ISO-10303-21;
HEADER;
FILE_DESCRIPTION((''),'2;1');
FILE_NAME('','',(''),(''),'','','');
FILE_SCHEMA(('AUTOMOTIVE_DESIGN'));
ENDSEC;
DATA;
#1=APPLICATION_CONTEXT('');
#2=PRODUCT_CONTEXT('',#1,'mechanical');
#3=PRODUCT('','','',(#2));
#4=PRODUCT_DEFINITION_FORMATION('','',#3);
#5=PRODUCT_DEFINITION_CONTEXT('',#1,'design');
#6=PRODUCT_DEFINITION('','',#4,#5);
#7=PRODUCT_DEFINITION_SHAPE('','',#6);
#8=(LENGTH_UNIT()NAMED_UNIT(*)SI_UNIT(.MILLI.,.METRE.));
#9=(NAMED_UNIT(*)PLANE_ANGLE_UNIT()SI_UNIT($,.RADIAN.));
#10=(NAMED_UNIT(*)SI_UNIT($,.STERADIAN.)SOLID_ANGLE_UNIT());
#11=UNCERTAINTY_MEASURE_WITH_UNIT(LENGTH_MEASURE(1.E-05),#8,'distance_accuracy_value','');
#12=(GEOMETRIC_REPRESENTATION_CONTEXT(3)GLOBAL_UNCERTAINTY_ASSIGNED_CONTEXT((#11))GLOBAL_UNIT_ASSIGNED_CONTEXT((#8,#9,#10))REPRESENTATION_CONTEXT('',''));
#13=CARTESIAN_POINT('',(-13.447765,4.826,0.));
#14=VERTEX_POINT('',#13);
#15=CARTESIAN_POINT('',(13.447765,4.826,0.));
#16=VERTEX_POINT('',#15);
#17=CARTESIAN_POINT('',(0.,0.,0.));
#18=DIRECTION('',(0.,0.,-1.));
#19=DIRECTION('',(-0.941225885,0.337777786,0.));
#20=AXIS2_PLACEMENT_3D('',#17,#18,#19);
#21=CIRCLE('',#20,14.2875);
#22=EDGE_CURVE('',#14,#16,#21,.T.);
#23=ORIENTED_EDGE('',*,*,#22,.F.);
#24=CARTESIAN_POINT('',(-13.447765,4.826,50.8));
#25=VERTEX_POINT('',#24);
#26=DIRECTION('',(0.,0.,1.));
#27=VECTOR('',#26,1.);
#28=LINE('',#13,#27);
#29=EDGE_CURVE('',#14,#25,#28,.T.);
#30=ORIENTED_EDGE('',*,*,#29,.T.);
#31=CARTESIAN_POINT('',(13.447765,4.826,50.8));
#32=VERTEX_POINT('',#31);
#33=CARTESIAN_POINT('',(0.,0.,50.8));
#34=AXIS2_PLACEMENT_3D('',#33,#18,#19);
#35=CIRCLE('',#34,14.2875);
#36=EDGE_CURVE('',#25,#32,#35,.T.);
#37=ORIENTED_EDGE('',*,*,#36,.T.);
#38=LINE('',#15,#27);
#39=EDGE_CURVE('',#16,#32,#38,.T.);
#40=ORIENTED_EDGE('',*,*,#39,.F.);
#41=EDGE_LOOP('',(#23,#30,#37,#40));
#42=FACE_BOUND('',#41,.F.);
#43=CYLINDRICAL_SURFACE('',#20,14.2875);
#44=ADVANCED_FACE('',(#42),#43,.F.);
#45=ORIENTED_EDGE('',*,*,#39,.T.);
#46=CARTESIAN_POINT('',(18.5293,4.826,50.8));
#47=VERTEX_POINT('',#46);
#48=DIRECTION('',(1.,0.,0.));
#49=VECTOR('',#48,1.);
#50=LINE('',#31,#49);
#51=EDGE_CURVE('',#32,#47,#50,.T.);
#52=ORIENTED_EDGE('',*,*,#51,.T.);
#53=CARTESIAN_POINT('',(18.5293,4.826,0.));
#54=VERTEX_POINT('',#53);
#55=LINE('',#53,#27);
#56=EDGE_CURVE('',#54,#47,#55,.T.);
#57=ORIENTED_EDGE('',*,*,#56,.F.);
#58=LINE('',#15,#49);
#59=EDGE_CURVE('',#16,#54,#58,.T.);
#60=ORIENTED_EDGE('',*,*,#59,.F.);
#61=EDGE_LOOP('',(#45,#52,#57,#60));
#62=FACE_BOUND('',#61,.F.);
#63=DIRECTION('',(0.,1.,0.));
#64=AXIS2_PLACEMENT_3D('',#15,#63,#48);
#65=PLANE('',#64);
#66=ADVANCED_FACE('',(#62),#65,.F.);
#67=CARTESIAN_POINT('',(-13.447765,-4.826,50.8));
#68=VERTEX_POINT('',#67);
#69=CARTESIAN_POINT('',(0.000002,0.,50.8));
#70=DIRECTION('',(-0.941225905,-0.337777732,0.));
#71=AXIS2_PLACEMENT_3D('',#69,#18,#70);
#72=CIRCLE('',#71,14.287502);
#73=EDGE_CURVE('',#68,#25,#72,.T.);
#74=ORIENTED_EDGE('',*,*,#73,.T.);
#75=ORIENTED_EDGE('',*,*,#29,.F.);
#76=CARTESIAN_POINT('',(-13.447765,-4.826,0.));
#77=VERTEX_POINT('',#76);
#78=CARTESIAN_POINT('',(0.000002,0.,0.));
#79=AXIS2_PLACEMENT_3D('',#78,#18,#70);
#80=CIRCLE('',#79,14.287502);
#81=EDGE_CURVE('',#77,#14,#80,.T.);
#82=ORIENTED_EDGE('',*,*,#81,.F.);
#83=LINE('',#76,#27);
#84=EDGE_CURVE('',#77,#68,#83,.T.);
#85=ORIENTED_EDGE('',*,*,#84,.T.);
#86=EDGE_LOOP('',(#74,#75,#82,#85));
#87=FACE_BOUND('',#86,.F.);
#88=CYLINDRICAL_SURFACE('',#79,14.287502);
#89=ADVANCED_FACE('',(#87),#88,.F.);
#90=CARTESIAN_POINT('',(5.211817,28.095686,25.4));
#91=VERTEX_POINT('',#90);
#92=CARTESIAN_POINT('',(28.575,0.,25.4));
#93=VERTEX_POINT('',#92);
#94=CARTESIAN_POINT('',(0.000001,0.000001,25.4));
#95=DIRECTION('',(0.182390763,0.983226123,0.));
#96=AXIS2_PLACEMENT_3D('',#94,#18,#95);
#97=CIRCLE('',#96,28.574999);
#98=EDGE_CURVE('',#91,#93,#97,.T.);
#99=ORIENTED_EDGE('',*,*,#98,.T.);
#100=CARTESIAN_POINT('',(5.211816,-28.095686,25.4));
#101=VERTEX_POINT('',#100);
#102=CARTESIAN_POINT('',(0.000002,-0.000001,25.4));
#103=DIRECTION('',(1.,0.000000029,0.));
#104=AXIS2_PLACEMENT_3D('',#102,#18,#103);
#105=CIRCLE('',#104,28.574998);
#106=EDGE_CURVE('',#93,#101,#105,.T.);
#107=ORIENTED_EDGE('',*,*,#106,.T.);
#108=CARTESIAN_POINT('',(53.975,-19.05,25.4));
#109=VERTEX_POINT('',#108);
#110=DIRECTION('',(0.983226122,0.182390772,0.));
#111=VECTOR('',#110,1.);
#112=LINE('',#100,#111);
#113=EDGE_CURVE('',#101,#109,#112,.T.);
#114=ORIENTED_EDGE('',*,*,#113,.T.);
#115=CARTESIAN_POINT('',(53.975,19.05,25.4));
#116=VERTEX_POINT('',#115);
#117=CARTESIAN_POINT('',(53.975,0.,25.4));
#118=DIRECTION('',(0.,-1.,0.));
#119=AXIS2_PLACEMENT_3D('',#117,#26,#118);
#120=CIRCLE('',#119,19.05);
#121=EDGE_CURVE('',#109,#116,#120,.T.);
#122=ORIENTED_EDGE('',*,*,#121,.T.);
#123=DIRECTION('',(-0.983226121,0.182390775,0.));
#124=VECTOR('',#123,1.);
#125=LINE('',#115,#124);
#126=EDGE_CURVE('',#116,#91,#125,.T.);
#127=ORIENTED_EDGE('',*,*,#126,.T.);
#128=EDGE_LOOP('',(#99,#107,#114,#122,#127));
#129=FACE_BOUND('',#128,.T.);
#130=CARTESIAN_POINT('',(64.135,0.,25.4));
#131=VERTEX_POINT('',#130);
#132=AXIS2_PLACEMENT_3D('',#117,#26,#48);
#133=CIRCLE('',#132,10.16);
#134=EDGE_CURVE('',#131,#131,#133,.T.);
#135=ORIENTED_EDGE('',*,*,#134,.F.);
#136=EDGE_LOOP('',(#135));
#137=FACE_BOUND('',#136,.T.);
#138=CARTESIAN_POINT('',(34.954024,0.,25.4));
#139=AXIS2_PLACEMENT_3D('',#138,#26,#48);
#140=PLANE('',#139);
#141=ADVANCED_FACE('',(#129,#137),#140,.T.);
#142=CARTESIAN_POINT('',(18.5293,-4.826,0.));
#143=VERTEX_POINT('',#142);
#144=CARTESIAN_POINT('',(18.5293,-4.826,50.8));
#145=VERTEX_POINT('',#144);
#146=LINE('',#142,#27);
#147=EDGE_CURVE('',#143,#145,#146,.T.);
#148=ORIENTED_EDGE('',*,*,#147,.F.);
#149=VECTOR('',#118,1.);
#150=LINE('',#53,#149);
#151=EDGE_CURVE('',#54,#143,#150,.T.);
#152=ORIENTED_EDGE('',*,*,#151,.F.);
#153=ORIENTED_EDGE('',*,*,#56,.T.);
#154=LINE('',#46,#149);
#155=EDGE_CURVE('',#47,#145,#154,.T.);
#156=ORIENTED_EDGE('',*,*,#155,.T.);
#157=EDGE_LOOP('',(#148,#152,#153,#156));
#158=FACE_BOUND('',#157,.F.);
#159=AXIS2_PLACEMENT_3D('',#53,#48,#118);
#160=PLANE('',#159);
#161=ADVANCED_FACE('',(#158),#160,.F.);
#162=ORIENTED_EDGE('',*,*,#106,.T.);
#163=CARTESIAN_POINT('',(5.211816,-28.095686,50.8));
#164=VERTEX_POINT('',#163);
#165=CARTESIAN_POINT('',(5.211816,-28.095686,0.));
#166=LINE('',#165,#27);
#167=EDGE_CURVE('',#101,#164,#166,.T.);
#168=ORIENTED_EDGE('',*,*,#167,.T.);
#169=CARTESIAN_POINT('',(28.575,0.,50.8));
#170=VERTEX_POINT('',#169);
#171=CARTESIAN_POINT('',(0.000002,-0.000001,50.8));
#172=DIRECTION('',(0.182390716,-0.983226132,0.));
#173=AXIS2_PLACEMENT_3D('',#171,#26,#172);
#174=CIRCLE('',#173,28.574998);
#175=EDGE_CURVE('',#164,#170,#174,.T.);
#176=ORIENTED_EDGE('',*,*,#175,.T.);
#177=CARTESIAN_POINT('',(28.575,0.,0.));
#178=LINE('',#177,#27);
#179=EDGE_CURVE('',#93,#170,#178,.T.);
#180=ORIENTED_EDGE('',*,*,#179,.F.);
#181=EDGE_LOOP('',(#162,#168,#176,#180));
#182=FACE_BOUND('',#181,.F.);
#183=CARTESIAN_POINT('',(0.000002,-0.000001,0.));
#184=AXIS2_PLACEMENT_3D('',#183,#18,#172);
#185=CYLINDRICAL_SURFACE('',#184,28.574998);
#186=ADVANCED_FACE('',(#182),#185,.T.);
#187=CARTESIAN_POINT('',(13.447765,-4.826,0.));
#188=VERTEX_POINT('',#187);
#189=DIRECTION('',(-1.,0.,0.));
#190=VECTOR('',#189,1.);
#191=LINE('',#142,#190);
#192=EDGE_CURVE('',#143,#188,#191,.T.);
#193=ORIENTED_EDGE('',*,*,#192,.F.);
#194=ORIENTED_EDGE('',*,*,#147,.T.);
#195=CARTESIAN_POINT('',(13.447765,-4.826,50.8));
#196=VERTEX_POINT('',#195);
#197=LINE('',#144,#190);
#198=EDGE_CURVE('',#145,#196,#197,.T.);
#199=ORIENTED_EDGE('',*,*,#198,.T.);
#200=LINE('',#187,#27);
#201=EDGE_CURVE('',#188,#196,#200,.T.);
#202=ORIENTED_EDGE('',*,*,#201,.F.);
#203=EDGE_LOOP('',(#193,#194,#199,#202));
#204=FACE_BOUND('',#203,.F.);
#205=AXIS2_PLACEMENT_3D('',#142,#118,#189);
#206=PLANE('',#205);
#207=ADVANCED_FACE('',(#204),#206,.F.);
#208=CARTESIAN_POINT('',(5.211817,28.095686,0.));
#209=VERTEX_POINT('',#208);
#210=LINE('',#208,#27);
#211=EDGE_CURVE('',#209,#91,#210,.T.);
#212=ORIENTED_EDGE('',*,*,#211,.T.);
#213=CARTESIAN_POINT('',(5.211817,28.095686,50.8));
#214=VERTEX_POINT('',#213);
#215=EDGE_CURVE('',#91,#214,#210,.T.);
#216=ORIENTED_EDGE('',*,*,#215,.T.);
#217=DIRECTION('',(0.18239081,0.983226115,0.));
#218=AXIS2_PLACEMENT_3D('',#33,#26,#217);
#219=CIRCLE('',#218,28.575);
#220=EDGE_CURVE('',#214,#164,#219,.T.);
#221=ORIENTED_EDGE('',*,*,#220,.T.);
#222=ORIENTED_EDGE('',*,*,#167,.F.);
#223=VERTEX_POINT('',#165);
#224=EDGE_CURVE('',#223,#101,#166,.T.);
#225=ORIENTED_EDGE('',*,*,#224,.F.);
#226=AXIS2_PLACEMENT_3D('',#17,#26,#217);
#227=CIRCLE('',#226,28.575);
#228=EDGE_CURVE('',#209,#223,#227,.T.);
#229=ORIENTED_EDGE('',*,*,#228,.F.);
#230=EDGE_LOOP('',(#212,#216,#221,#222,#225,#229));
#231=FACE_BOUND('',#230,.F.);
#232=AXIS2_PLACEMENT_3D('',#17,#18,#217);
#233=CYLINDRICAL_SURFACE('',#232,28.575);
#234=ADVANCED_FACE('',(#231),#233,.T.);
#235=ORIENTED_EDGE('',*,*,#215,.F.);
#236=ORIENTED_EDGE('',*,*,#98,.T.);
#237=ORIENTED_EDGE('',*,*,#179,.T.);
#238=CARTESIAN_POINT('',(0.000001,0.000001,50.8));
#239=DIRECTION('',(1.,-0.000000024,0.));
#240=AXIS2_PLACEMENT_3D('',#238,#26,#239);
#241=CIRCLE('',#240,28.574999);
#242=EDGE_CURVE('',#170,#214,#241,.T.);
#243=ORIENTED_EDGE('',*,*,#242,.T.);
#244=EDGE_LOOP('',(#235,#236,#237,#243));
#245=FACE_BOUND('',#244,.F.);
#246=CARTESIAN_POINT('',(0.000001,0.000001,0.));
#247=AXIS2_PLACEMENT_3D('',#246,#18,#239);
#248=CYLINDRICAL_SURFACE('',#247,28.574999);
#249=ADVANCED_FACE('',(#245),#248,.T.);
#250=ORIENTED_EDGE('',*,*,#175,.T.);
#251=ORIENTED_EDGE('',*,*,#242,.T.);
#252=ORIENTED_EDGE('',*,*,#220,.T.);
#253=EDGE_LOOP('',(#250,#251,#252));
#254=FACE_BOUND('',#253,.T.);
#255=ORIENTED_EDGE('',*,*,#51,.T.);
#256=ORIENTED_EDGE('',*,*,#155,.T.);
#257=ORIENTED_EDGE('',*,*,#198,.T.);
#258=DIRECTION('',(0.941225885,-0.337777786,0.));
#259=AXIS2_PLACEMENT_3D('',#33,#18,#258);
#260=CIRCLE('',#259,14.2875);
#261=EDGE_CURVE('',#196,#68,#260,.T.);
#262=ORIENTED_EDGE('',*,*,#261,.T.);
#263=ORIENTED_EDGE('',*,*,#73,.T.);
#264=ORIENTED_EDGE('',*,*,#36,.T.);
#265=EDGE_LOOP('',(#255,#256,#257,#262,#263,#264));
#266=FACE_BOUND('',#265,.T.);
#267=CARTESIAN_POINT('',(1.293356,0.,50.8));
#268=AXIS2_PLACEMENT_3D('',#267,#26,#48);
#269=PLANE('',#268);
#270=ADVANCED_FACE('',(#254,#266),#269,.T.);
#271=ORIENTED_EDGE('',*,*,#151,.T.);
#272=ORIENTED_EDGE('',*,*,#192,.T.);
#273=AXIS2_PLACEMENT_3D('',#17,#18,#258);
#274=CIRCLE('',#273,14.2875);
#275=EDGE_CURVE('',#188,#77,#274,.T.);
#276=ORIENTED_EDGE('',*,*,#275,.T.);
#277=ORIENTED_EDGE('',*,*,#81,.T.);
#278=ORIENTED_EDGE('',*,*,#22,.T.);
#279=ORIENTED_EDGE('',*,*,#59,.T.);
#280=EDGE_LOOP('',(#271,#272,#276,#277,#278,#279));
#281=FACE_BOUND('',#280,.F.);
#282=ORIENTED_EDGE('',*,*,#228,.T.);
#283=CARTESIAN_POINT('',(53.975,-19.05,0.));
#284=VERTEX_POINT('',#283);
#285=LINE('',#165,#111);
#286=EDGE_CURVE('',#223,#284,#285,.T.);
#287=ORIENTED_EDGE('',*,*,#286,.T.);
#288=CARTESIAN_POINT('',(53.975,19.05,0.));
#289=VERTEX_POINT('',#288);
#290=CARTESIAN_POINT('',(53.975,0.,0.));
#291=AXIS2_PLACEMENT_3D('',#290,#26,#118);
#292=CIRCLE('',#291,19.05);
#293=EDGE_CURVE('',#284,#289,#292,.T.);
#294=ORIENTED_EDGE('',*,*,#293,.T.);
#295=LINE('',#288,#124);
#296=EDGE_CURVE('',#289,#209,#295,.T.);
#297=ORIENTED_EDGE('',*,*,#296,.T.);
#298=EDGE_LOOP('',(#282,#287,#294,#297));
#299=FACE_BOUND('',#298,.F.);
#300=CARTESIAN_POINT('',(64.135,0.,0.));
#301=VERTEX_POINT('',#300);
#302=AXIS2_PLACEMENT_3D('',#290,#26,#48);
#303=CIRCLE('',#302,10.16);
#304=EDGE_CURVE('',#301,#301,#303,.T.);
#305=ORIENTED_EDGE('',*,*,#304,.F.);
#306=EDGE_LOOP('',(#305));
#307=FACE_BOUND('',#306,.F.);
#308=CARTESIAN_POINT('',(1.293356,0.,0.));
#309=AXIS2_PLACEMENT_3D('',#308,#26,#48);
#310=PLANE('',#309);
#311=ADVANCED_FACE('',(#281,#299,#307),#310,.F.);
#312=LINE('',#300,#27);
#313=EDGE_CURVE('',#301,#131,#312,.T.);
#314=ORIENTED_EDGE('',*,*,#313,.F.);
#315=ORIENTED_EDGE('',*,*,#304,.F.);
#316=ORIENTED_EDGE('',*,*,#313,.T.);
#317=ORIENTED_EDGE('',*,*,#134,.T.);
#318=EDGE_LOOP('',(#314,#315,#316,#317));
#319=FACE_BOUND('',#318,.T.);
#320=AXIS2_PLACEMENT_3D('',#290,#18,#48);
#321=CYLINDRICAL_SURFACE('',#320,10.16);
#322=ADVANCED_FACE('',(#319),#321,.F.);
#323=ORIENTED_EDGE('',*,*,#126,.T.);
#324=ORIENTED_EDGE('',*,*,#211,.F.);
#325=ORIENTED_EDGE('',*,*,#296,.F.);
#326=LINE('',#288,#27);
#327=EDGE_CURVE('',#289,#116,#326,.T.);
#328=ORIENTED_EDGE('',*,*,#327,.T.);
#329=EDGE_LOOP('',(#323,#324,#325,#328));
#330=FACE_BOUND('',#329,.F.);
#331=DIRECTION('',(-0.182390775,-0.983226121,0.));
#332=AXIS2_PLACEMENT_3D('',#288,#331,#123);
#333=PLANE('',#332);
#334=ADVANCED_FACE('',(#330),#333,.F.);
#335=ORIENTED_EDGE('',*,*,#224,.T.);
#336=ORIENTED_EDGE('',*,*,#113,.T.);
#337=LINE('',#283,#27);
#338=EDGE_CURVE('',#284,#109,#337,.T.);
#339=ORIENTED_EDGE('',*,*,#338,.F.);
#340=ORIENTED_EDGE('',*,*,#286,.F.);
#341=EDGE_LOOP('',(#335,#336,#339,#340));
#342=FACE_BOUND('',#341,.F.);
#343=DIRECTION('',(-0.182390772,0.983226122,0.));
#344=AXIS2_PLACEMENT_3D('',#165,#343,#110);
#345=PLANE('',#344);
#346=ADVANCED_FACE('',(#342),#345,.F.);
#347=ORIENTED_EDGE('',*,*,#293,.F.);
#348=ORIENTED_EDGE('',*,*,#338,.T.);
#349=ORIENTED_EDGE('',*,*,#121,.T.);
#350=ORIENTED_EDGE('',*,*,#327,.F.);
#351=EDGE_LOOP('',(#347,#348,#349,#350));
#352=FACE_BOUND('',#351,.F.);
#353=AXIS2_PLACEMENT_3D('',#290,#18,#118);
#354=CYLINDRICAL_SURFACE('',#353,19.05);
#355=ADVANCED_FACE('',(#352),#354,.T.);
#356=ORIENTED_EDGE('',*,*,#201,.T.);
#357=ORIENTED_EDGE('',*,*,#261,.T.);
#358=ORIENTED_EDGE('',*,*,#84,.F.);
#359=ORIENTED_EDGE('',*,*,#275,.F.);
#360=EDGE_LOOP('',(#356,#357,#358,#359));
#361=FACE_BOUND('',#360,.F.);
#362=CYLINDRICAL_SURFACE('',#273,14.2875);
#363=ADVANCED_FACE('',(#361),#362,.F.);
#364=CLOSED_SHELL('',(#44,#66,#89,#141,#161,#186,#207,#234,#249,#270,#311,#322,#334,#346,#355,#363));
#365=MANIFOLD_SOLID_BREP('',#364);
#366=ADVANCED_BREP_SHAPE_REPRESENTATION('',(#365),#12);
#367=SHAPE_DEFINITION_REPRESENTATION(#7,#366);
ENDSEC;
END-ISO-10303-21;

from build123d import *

# Parameters (mm, degrees)
F0_R     = 10.16
F1_DEPTH = 25.4
F2_DEPTH = 50.8


with BuildPart() as f1:
    # F0 (on Top) → F1 (new body)
    with BuildSketch(Plane.XY):
        with BuildLine():
            ThreePointArc((5.211817, 28.095686), (21.971098, 18.270235), (28.575, 0))
            ThreePointArc((28.575, 0), (21.971098, -18.270235), (5.211816, -28.095686))
            Line((5.211816, -28.095686), (53.975, -19.05))
            ThreePointArc((53.975, -19.05), (73.025, 0), (53.975, 19.05))
            Line((53.975, 19.05), (5.211817, 28.095686))
        make_face()
        with Locations((53.975, 0)):
            Circle(F0_R, mode=Mode.SUBTRACT)
    extrude(amount=F1_DEPTH)

    # F0 (on Top) → F2 (join)
    with BuildSketch(Plane.XY):
        with BuildLine():
            ThreePointArc((5.211816, -28.095686), (21.971098, -18.270235), (28.575, 0))
            ThreePointArc((28.575, 0), (21.971098, 18.270235), (5.211817, 28.095686))
            ThreePointArc((5.211817, 28.095686), (-28.575, 0), (5.211816, -28.095686))
        make_face()
        with BuildLine():
            ThreePointArc((-13.447765, 4.826), (0, 14.2875), (13.447765, 4.826))
            Line((13.447765, 4.826), (18.5293, 4.826))
            Line((18.5293, 4.826), (18.5293, -4.826))
            Line((18.5293, -4.826), (13.447765, -4.826))
            ThreePointArc((13.447765, -4.826), (0, -14.2875), (-13.447765, -4.826))
            Line((-13.447765, -4.826), (-18.5293, -4.826))
            Line((-18.5293, -4.826), (-18.5293, 4.826))
            Line((-18.5293, 4.826), (-13.447765, 4.826))
        make_face(mode=Mode.SUBTRACT)
        with BuildLine():
            ThreePointArc((-13.447765, -4.826), (-14.2875, 0), (-13.447765, 4.826))
            Line((-13.447765, 4.826), (-18.5293, 4.826))
            Line((-18.5293, 4.826), (-18.5293, -4.826))
            Line((-18.5293, -4.826), (-13.447765, -4.826))
        make_face()
    extrude(amount=F2_DEPTH)


solid = f1.part
